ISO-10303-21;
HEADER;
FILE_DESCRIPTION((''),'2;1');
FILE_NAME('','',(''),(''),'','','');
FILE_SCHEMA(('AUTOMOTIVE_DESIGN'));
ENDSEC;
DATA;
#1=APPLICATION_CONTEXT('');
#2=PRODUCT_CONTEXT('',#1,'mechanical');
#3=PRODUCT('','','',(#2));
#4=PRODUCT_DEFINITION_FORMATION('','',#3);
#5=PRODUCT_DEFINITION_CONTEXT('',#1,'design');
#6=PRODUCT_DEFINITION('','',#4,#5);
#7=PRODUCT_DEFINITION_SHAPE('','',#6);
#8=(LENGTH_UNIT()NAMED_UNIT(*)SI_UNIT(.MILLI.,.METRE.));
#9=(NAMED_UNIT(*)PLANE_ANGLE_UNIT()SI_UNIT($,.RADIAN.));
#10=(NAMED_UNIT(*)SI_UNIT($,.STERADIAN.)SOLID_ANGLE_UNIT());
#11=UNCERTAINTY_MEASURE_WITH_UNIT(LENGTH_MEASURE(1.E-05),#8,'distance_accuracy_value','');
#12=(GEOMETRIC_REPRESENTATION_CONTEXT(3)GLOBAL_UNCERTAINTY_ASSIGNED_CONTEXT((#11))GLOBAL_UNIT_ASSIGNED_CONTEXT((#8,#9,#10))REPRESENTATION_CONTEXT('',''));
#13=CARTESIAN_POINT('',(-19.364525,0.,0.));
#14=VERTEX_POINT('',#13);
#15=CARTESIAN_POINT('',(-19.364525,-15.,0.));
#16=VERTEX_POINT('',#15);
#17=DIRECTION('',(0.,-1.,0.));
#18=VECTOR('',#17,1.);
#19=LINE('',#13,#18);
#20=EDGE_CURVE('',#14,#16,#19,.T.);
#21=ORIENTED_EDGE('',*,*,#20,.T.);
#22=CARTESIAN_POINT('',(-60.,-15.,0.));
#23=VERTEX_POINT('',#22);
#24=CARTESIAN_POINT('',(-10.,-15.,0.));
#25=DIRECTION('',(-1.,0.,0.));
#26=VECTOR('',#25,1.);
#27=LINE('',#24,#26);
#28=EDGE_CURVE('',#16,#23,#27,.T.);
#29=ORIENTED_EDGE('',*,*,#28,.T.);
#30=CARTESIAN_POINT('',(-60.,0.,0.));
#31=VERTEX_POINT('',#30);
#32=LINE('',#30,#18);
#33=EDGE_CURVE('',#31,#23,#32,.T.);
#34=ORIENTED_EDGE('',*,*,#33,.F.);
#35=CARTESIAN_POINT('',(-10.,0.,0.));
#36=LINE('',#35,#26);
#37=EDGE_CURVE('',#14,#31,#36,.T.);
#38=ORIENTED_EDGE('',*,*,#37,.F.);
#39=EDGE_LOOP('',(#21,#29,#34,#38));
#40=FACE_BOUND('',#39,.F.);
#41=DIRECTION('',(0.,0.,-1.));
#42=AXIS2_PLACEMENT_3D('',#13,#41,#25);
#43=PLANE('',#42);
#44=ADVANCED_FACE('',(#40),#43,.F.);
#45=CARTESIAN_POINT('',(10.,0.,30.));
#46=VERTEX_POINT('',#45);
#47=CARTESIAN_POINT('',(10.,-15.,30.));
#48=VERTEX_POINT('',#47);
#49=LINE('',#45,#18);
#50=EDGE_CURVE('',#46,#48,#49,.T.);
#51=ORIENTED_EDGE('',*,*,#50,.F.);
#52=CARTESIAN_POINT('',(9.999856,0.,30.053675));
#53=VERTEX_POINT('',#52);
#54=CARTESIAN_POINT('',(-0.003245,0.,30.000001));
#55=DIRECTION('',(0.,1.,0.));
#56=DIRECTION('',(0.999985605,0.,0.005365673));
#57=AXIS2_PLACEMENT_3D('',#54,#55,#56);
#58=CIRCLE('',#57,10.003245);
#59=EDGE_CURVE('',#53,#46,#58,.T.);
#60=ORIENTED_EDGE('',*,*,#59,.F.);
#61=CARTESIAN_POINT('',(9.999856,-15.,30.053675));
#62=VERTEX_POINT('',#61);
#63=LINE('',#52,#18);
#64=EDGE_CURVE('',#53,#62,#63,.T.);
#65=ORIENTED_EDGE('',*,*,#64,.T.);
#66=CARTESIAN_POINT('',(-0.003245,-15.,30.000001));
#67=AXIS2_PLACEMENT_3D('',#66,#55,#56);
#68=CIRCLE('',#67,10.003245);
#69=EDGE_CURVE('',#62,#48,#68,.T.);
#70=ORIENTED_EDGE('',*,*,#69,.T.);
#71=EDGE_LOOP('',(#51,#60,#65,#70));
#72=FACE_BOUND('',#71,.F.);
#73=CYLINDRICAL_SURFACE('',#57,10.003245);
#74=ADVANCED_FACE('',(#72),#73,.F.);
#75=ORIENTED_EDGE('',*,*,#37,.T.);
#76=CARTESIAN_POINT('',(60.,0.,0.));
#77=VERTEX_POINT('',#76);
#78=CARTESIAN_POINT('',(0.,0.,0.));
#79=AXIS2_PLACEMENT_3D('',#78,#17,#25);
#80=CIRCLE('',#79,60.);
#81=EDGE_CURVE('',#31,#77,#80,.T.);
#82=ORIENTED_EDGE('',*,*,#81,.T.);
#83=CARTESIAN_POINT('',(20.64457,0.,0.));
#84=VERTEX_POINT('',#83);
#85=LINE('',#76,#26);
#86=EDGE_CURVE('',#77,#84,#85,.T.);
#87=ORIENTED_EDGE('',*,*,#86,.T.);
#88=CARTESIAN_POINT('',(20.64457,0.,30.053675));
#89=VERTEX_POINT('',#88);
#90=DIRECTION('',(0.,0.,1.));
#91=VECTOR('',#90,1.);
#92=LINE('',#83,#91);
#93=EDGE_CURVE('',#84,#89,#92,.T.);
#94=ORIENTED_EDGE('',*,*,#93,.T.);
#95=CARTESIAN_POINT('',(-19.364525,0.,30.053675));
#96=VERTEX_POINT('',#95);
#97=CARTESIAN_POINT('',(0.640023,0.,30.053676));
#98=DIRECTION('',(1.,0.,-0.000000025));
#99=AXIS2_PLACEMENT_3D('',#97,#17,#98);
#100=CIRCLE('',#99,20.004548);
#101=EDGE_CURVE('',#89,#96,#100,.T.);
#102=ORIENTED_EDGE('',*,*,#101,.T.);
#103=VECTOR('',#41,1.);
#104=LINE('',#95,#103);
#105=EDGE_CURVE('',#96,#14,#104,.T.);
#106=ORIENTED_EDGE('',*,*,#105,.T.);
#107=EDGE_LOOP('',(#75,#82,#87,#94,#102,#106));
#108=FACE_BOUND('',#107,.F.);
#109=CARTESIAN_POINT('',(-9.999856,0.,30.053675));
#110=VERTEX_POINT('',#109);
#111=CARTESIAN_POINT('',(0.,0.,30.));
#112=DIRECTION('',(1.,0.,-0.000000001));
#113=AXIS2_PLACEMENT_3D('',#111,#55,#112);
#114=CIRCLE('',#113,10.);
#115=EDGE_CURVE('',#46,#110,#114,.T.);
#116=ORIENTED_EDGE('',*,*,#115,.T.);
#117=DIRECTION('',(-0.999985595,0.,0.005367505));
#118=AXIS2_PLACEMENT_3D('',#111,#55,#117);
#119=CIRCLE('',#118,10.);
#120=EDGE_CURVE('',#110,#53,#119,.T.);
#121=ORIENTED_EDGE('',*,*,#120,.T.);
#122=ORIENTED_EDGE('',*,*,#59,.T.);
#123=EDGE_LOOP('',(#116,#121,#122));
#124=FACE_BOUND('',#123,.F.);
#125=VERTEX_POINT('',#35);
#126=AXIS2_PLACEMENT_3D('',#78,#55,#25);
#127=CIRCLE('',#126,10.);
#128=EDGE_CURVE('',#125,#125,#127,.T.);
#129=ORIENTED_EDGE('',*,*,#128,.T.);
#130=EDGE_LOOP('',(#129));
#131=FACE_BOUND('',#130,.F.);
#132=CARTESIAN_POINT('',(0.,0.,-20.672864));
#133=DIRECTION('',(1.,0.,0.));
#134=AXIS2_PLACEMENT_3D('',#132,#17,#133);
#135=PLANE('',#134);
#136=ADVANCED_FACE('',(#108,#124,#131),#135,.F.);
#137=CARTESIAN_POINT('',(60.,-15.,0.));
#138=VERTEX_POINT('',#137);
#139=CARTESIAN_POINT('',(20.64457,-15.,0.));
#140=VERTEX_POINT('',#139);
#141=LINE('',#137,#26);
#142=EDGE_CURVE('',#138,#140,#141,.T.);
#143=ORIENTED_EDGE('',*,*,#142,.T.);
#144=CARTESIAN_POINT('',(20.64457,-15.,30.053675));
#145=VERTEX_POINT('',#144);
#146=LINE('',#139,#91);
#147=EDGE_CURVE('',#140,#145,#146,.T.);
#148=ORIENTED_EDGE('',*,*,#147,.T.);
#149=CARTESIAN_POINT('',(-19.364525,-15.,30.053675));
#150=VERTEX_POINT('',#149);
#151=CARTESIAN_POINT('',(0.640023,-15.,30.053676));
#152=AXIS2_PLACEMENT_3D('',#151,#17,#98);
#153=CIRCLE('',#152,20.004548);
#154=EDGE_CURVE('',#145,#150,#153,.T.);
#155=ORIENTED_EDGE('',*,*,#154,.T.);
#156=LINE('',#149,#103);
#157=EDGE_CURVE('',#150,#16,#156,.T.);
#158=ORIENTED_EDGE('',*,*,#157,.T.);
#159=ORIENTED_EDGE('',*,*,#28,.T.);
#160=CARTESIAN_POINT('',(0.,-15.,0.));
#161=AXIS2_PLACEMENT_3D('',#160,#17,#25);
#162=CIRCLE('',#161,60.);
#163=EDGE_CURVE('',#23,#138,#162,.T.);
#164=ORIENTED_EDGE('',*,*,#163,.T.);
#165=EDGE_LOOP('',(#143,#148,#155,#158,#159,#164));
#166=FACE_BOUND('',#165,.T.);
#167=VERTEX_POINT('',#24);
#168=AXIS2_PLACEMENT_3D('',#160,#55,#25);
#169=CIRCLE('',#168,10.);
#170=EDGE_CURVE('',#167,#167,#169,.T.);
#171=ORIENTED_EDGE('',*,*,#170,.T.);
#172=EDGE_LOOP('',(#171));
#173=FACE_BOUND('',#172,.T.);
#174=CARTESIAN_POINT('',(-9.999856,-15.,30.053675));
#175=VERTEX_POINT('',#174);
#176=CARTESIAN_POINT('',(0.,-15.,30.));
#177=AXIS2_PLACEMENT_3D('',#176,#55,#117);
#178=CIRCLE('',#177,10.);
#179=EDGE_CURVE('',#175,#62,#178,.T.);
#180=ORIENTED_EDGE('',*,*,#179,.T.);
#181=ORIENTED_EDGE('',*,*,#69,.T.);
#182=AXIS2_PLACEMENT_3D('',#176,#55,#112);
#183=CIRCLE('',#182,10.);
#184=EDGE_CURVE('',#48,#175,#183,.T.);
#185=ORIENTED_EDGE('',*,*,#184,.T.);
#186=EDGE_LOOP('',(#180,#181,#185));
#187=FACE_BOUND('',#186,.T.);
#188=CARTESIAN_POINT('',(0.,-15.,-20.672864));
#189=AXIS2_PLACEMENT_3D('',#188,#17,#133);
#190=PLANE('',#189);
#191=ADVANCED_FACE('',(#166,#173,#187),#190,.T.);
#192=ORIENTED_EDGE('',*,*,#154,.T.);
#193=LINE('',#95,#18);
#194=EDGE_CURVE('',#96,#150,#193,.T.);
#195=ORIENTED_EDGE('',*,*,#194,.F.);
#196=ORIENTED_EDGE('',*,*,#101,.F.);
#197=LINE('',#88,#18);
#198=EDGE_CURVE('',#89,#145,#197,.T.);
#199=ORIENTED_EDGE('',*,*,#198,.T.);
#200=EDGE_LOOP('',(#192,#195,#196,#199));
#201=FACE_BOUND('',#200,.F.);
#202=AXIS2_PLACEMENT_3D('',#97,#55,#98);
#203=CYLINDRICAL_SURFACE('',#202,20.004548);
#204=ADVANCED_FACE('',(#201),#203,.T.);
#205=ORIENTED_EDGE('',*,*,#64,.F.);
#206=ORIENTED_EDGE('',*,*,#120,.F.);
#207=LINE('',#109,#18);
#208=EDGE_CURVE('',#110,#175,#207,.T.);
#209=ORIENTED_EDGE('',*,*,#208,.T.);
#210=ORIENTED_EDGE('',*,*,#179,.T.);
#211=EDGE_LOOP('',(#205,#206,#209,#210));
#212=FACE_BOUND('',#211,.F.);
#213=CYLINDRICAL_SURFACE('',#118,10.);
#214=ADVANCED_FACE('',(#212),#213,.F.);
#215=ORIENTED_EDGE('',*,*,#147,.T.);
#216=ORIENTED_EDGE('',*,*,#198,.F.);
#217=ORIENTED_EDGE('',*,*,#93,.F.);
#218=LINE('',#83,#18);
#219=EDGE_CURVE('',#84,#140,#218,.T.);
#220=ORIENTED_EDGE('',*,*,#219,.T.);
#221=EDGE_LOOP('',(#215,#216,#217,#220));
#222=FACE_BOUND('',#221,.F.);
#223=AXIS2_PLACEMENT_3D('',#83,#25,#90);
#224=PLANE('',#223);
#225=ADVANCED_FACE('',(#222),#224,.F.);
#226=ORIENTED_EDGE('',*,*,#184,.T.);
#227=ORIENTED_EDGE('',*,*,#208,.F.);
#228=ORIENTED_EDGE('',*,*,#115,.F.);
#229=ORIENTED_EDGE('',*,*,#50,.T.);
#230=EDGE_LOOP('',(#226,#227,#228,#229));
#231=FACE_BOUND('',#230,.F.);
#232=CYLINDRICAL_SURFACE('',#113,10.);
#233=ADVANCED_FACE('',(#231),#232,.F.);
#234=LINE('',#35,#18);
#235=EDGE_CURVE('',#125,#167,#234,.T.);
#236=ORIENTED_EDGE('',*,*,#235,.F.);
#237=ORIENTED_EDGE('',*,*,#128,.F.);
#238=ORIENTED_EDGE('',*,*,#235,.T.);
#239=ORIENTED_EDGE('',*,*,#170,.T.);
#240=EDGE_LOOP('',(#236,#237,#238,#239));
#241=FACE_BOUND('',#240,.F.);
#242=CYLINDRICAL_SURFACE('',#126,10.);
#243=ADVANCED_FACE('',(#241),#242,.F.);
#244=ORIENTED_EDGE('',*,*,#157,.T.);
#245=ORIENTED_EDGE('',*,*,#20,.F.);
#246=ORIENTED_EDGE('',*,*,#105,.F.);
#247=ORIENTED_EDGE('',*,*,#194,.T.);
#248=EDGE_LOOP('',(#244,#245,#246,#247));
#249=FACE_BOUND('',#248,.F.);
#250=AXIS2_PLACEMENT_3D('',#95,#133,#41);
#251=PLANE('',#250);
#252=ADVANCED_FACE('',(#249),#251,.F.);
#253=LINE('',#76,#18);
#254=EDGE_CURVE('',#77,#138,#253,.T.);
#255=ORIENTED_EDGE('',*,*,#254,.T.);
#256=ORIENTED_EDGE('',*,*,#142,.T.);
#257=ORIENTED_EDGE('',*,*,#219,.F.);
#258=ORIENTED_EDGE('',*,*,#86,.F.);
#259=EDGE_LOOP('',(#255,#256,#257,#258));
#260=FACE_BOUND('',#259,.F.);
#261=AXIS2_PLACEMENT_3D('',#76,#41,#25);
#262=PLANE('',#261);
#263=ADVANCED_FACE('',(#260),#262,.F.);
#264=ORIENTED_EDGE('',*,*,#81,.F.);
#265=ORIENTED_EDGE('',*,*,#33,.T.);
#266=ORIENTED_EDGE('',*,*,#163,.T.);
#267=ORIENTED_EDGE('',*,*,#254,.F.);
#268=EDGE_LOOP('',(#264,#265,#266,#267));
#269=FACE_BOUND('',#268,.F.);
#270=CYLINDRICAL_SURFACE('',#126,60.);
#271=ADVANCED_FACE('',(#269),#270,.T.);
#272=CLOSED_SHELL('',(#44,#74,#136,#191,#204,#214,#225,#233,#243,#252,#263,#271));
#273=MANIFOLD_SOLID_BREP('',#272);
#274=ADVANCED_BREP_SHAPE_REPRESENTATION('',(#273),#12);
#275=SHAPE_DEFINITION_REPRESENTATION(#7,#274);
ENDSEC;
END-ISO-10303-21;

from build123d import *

# Parameters (mm, degrees)
F1_DEPTH = 15


with BuildPart() as f1:
    # F0 (on Front) → F1 (new body)
    with BuildSketch(Plane.XZ):
        with BuildLine():
            Line((-19.364525, 0), (-60, 0))
            ThreePointArc((-60, 0), (0, -60), (60, 0))
            Line((60, 0), (20.64457, 0))
            Line((20.64457, 0), (10, 0))
            ThreePointArc((10, 0), (0, -10), (-10, 0))
            Line((-10, 0), (-19.364525, 0))
        make_face()
        with BuildLine():
            Line((-19.364525, 30.053675), (-19.364525, 0))
            Line((-19.364525, 0), (-10, 0))
            ThreePointArc((-10, 0), (0, 10), (10, 0))
            Line((10, 0), (20.64457, 0))
            Line((20.64457, 0), (20.64457, 30.053675))
            Line((20.64457, 30.053675), (9.999856, 30.053675))
            ThreePointArc((9.999856, 30.053675), (9.999964, 30.026838), (10, 30))
            ThreePointArc((10, 30), (-0.026838, 20.000036), (-9.999856, 30.053675))
            Line((-9.999856, 30.053675), (-19.364525, 30.053675))
        make_face()
        with BuildLine():
            ThreePointArc((20.64457, 30.053675), (0.640023, 50.058223), (-19.364525, 30.053675))
            Line((-19.364525, 30.053675), (-9.999856, 30.053675))
            ThreePointArc((-9.999856, 30.053675), (0, 40), (9.999856, 30.053675))
            Line((9.999856, 30.053675), (20.64457, 30.053675))
        make_face()
    extrude(amount=F1_DEPTH)


solid = f1.part
